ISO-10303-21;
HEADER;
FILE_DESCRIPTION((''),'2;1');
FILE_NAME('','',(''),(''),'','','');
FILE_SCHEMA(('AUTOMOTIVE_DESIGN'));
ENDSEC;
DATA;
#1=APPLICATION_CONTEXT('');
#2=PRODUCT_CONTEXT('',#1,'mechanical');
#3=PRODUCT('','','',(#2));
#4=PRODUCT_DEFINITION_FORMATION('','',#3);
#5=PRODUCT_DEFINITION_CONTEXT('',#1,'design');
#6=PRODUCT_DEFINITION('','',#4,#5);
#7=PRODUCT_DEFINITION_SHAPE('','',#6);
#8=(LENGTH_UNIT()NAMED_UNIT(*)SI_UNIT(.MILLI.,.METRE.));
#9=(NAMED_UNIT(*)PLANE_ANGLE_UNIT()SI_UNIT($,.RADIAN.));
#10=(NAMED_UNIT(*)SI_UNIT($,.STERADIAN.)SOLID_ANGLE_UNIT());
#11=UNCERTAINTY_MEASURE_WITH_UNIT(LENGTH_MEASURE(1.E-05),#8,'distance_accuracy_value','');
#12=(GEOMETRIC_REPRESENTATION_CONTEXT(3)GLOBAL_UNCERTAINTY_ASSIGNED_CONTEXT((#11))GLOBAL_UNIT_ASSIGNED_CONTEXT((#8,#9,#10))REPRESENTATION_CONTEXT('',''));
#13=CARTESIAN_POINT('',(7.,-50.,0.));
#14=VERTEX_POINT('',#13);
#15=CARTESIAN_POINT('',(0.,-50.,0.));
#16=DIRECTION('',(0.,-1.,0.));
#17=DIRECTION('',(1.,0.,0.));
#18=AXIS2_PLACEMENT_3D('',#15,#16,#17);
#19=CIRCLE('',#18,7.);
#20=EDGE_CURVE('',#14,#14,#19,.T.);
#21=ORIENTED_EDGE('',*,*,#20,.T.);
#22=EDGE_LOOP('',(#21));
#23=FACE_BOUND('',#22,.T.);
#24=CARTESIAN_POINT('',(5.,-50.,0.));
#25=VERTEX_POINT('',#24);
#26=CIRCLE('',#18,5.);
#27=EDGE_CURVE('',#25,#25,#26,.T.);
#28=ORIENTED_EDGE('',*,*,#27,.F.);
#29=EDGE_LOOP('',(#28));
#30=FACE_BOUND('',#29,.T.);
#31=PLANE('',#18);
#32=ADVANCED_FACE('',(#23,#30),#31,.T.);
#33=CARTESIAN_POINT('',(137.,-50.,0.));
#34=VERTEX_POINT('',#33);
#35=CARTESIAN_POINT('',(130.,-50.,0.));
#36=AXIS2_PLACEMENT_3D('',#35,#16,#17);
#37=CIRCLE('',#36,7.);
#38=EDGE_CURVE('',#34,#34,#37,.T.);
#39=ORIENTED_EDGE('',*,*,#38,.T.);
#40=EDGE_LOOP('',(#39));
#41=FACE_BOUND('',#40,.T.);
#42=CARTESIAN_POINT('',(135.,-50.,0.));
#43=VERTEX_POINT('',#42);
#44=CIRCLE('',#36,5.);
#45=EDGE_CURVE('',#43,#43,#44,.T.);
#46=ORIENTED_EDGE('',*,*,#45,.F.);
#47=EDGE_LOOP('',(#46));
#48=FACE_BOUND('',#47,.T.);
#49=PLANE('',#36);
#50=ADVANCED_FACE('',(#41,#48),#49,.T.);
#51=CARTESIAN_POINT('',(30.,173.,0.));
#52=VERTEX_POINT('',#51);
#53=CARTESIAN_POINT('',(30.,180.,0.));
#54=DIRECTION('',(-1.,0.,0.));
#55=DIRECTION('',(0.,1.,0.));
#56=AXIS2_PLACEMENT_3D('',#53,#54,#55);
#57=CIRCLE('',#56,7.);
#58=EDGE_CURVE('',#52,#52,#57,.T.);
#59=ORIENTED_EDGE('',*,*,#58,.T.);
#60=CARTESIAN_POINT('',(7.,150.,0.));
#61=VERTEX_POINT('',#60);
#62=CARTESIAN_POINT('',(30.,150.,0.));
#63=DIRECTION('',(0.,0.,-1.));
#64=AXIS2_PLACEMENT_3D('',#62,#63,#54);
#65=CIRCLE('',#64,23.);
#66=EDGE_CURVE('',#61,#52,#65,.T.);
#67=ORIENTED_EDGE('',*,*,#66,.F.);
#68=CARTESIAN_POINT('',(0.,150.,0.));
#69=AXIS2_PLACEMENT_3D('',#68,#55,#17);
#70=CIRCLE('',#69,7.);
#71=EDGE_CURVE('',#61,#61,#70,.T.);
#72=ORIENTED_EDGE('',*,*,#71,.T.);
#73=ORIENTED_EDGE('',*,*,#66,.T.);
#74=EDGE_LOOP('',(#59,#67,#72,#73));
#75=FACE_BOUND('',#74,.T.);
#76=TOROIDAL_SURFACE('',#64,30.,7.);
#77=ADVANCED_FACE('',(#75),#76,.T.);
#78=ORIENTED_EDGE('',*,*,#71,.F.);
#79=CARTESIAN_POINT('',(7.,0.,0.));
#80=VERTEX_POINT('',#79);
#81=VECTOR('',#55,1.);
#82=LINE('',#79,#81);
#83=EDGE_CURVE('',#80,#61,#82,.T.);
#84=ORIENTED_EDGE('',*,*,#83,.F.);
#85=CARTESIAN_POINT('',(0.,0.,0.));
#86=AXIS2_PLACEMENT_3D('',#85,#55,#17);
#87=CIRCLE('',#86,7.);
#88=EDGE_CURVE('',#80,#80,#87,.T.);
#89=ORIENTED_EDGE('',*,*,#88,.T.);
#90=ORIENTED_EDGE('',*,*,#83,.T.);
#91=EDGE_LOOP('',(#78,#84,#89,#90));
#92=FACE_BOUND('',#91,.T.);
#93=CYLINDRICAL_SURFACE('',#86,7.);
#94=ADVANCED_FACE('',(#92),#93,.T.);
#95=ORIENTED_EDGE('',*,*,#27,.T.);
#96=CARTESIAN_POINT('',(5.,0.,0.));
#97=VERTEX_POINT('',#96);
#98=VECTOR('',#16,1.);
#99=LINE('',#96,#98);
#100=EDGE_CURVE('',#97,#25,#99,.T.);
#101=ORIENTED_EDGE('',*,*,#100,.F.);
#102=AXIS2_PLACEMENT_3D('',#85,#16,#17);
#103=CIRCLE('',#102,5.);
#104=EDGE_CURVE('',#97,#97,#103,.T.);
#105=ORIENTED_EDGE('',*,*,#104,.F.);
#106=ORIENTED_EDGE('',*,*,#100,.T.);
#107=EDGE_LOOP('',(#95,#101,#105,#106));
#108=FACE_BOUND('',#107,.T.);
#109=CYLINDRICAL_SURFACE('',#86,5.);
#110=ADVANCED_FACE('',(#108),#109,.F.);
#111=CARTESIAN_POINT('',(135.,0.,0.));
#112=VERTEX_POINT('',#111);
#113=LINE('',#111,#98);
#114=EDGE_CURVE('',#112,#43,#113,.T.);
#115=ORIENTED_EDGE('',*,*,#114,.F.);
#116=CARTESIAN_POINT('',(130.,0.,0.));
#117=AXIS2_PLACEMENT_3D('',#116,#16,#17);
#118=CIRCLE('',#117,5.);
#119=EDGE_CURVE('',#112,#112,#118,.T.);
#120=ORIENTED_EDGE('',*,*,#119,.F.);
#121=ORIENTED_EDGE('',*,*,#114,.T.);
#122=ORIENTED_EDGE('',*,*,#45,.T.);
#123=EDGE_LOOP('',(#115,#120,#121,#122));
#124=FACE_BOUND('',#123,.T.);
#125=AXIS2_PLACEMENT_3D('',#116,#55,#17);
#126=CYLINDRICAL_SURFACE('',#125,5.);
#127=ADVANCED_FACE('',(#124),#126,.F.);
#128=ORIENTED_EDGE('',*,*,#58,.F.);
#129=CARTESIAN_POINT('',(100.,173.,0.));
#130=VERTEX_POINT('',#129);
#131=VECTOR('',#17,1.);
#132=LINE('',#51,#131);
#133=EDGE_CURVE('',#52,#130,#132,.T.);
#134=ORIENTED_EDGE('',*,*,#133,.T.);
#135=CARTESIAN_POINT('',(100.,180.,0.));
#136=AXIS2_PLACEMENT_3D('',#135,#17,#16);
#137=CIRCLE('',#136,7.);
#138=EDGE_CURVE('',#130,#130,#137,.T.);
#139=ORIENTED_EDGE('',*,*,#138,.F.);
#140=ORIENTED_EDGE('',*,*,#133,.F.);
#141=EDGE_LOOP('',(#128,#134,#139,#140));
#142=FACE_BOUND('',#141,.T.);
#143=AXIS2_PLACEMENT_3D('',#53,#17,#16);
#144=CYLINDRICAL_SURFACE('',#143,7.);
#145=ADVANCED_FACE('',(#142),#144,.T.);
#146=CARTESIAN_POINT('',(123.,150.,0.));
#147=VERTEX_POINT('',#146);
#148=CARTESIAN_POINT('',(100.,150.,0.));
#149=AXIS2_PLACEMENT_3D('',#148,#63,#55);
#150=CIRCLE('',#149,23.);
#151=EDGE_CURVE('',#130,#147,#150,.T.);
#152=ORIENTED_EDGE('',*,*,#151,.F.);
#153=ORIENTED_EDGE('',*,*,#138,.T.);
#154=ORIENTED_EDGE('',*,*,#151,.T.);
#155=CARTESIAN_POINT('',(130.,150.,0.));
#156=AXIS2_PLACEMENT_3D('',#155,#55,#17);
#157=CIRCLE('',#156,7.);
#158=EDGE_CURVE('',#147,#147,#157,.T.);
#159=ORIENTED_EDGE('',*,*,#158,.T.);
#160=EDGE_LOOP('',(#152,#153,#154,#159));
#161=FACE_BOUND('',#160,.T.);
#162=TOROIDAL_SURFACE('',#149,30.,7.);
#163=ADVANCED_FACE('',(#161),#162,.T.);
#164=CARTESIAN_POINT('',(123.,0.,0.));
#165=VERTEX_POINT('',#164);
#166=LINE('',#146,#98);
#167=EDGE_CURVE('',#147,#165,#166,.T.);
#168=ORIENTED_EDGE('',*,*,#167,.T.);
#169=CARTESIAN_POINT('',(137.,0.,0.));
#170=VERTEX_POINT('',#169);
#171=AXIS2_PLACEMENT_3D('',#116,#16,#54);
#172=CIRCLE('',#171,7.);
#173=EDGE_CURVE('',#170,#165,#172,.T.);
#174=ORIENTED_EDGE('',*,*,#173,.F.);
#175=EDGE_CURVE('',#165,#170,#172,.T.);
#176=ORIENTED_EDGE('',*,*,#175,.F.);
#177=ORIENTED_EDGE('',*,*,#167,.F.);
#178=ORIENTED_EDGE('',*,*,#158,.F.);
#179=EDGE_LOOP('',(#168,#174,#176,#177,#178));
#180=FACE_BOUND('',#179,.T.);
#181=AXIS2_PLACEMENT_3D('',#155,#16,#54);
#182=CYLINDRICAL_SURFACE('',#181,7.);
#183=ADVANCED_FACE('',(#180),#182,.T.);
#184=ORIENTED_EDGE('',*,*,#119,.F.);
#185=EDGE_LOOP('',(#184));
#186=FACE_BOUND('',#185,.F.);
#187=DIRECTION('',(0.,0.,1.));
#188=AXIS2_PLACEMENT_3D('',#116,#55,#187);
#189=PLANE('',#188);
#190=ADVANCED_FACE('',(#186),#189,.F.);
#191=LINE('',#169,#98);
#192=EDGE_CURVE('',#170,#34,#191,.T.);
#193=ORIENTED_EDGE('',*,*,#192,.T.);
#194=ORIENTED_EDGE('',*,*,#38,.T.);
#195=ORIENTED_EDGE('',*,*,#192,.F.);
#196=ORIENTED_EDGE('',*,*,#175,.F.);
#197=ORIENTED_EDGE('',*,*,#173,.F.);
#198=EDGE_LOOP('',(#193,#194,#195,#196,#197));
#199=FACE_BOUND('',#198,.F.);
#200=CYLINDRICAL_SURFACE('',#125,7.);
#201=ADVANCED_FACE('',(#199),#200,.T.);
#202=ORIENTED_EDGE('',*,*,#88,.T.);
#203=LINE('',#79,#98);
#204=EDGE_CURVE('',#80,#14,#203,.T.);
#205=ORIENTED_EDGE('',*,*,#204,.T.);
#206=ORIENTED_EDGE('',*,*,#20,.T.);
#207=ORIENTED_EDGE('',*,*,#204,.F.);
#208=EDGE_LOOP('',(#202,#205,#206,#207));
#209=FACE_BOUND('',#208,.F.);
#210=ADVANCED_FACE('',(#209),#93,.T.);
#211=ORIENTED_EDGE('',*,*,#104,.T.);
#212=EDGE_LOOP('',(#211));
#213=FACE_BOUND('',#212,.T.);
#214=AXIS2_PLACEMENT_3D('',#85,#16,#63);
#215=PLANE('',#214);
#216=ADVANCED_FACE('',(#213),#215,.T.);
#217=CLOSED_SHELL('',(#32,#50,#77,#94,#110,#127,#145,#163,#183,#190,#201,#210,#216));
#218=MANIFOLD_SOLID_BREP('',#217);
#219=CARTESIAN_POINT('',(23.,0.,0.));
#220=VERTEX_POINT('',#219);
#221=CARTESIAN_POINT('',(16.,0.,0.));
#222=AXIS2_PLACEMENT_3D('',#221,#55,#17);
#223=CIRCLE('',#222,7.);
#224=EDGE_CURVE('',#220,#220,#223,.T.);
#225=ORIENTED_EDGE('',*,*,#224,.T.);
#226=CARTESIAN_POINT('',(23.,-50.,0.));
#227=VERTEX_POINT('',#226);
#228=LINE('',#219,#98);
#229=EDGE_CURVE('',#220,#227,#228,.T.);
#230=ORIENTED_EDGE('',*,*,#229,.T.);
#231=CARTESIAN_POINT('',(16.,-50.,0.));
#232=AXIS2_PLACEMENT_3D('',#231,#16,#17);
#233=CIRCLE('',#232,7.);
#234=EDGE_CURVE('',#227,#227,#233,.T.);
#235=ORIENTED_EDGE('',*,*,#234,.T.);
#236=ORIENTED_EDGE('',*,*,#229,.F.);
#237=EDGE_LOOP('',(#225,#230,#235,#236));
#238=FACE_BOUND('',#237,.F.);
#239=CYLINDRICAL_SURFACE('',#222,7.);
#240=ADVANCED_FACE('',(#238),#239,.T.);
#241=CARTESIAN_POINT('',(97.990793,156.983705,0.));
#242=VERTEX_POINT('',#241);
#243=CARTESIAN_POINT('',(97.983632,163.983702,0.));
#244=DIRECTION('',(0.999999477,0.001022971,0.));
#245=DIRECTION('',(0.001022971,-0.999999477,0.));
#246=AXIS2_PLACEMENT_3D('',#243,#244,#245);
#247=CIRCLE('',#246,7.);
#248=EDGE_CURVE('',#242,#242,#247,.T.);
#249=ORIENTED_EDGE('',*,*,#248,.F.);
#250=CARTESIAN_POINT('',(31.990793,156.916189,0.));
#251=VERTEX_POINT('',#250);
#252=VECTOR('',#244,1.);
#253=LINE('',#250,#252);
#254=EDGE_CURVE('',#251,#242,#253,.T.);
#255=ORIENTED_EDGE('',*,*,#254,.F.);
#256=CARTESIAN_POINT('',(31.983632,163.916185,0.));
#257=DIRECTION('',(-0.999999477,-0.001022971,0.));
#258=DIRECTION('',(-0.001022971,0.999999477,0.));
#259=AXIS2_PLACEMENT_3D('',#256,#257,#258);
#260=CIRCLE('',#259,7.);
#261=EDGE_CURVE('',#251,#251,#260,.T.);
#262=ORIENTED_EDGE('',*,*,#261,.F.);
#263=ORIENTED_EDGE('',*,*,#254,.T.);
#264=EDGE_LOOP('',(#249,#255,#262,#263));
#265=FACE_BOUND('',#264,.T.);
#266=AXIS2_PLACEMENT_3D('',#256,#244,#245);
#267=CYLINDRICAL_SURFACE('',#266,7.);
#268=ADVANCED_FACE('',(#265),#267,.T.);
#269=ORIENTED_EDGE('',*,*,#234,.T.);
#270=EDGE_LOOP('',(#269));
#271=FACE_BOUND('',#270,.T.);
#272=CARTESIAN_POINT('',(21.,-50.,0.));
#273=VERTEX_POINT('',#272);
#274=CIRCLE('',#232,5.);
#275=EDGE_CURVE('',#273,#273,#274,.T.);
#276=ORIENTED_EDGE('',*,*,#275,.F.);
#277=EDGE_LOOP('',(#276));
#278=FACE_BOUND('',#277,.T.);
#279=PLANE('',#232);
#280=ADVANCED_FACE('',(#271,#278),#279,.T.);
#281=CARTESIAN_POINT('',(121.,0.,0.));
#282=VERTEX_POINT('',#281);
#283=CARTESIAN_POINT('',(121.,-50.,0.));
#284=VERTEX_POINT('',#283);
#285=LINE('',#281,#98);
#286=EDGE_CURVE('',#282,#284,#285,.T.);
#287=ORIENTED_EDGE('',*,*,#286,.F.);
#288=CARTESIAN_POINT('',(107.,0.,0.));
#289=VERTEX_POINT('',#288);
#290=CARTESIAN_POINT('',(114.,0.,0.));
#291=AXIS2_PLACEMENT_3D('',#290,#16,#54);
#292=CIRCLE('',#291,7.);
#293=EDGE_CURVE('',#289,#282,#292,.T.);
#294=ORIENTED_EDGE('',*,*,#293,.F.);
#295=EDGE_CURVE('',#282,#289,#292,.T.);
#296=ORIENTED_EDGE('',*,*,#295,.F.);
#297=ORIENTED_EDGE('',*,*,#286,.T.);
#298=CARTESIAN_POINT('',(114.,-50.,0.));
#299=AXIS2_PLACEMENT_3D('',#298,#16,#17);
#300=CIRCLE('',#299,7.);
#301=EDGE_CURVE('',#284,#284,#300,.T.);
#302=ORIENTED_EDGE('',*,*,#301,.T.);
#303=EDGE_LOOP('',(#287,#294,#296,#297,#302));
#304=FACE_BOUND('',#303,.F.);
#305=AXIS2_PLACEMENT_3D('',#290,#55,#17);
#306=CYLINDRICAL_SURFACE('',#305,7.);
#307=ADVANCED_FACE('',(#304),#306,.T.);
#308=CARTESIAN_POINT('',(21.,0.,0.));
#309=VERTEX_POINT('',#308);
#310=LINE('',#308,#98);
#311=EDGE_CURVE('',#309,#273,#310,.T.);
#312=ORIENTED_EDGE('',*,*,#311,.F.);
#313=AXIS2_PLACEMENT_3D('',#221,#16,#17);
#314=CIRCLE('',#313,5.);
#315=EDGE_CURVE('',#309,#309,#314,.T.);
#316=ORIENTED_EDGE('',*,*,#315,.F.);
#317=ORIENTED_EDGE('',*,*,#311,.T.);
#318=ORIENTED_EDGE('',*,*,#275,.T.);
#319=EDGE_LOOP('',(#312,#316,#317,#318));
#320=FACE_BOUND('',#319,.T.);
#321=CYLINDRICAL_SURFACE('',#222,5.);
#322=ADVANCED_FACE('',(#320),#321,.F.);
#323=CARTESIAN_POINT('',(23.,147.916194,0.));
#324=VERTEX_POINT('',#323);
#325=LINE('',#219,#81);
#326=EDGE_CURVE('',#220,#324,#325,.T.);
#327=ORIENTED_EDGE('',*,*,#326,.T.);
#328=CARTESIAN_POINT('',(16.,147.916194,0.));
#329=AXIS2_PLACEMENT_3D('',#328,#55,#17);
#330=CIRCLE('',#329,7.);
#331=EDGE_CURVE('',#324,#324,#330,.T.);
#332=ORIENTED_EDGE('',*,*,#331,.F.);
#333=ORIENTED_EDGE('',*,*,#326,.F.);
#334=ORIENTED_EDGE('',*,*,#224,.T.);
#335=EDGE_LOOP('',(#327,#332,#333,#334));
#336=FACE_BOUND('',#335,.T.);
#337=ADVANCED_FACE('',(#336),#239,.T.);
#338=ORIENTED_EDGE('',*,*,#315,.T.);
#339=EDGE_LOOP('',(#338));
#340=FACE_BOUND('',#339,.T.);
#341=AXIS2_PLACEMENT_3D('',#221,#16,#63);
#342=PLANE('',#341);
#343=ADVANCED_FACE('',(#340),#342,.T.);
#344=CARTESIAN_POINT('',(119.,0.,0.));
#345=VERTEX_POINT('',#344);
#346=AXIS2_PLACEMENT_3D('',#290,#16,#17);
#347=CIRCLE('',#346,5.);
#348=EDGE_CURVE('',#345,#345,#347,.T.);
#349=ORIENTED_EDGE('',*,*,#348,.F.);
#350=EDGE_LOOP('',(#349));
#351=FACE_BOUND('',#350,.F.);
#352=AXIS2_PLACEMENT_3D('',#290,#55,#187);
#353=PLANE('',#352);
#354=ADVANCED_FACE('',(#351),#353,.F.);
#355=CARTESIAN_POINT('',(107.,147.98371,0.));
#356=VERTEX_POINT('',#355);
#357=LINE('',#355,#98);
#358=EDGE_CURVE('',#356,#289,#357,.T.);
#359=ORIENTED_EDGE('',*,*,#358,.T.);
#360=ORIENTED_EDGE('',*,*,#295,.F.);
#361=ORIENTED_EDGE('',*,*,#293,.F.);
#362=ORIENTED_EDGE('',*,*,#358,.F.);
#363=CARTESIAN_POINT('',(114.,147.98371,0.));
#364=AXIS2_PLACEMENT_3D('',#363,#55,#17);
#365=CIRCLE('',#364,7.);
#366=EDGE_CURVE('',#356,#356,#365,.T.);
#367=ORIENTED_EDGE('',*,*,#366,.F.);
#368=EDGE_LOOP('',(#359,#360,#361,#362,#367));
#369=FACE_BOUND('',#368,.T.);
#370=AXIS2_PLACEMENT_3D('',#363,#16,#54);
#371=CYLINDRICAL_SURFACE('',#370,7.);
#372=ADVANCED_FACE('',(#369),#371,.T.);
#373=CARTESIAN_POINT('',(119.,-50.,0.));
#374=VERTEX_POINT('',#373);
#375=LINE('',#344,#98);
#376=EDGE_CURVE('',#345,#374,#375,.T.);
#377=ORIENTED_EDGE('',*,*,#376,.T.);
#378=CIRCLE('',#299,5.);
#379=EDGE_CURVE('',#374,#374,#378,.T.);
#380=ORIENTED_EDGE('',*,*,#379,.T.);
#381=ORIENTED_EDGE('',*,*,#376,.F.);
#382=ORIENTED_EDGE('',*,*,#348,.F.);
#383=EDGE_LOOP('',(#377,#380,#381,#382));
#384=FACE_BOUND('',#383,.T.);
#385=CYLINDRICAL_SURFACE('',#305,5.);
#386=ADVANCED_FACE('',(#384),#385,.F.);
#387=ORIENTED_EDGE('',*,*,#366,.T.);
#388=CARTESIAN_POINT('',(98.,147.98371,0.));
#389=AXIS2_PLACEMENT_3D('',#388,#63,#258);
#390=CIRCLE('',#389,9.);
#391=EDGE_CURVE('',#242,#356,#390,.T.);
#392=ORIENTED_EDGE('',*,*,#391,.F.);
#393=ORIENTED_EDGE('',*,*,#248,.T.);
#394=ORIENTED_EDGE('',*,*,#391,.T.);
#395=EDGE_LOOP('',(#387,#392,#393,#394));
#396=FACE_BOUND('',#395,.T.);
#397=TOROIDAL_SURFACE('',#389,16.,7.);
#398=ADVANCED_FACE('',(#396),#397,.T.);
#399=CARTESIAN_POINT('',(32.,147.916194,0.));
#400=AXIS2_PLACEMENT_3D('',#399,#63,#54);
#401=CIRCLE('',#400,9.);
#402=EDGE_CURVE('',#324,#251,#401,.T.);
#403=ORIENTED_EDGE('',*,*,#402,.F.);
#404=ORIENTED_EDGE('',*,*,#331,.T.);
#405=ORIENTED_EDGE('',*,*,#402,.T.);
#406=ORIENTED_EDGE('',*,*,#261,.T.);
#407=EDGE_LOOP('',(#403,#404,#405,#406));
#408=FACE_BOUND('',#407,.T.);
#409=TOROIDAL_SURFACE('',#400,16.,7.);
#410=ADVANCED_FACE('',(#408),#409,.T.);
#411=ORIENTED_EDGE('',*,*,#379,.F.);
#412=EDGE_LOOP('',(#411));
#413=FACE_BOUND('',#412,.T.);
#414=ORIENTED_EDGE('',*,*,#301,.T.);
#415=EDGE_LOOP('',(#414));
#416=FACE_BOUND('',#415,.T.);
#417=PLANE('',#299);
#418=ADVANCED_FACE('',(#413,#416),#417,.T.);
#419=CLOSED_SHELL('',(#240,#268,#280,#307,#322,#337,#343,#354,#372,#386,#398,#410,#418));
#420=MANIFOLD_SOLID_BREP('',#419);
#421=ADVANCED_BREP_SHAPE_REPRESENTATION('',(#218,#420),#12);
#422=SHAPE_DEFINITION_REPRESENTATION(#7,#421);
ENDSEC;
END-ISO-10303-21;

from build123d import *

# Parameters (mm, degrees)
F1_R     = 7
F3_R     = 7
F3_R_2   = 5
F4_DEPTH = 50
F5_R     = 7
F8_R     = 7
F8_R_2   = 5
F9_DEPTH = 50


with BuildPart() as f2:
    # F2: sweep along a path in F0
    with BuildLine(Plane.XY) as f2_path:
        Line((0, 0), (0, 150))
        ThreePointArc((0, 150), (8.7867965644, 171.2132034356), (30, 180))
        Line((30, 180), (100, 180))
        ThreePointArc((100, 180), (121.2132034356, 171.2132034356), (130, 150))
        Line((130, 150), (130, 0))
    # F1 (on Front) → F2 (sweep)
    with BuildSketch(Plane.XZ):
        Circle(F1_R)
    sweep(path=f2_path.line)

    # F3 (on face) → F4 (join)
    with BuildSketch(Plane.XZ):
        Circle(F3_R)
        Circle(F3_R_2, mode=Mode.SUBTRACT)
        with Locations((130, 0)):
            Circle(F3_R)
        with Locations((130, 0)):
            Circle(F3_R_2, mode=Mode.SUBTRACT)
    extrude(amount=F4_DEPTH)


with BuildPart() as f7:
    # F7: sweep along a path in F6
    with BuildLine(Plane.XY) as f7_path:
        Line((16, 0), (16, 147.9161937333))
        ThreePointArc((16, 147.9161937333), (20.6805061796, 159.224113951), (31.9836324563, 163.9161853616))
        Line((31.9836324563, 163.9161853616), (97.9836324563, 163.9837015148))
        ThreePointArc((97.9836324563, 163.9837015148), (109.3079202177, 159.303203707), (114, 147.9837098866))
        Line((114, 147.9837098866), (114, 0))
    # F5 (on Front) → F7 (sweep)
    with BuildSketch(Plane.XZ):
        with Locations((16, 0)):
            Circle(F5_R)
    sweep(path=f7_path.line)

    # F8 (on face) → F9 (join)
    with BuildSketch(Plane.XZ):
        with Locations((16, 0)):
            Circle(F8_R)
        with Locations((16, 0)):
            Circle(F8_R_2, mode=Mode.SUBTRACT)
        with Locations((114, 0)):
            Circle(F8_R)
        with Locations((114, 0)):
            Circle(F8_R_2, mode=Mode.SUBTRACT)
    extrude(amount=F9_DEPTH)


solid = Compound([f2.part, f7.part])
